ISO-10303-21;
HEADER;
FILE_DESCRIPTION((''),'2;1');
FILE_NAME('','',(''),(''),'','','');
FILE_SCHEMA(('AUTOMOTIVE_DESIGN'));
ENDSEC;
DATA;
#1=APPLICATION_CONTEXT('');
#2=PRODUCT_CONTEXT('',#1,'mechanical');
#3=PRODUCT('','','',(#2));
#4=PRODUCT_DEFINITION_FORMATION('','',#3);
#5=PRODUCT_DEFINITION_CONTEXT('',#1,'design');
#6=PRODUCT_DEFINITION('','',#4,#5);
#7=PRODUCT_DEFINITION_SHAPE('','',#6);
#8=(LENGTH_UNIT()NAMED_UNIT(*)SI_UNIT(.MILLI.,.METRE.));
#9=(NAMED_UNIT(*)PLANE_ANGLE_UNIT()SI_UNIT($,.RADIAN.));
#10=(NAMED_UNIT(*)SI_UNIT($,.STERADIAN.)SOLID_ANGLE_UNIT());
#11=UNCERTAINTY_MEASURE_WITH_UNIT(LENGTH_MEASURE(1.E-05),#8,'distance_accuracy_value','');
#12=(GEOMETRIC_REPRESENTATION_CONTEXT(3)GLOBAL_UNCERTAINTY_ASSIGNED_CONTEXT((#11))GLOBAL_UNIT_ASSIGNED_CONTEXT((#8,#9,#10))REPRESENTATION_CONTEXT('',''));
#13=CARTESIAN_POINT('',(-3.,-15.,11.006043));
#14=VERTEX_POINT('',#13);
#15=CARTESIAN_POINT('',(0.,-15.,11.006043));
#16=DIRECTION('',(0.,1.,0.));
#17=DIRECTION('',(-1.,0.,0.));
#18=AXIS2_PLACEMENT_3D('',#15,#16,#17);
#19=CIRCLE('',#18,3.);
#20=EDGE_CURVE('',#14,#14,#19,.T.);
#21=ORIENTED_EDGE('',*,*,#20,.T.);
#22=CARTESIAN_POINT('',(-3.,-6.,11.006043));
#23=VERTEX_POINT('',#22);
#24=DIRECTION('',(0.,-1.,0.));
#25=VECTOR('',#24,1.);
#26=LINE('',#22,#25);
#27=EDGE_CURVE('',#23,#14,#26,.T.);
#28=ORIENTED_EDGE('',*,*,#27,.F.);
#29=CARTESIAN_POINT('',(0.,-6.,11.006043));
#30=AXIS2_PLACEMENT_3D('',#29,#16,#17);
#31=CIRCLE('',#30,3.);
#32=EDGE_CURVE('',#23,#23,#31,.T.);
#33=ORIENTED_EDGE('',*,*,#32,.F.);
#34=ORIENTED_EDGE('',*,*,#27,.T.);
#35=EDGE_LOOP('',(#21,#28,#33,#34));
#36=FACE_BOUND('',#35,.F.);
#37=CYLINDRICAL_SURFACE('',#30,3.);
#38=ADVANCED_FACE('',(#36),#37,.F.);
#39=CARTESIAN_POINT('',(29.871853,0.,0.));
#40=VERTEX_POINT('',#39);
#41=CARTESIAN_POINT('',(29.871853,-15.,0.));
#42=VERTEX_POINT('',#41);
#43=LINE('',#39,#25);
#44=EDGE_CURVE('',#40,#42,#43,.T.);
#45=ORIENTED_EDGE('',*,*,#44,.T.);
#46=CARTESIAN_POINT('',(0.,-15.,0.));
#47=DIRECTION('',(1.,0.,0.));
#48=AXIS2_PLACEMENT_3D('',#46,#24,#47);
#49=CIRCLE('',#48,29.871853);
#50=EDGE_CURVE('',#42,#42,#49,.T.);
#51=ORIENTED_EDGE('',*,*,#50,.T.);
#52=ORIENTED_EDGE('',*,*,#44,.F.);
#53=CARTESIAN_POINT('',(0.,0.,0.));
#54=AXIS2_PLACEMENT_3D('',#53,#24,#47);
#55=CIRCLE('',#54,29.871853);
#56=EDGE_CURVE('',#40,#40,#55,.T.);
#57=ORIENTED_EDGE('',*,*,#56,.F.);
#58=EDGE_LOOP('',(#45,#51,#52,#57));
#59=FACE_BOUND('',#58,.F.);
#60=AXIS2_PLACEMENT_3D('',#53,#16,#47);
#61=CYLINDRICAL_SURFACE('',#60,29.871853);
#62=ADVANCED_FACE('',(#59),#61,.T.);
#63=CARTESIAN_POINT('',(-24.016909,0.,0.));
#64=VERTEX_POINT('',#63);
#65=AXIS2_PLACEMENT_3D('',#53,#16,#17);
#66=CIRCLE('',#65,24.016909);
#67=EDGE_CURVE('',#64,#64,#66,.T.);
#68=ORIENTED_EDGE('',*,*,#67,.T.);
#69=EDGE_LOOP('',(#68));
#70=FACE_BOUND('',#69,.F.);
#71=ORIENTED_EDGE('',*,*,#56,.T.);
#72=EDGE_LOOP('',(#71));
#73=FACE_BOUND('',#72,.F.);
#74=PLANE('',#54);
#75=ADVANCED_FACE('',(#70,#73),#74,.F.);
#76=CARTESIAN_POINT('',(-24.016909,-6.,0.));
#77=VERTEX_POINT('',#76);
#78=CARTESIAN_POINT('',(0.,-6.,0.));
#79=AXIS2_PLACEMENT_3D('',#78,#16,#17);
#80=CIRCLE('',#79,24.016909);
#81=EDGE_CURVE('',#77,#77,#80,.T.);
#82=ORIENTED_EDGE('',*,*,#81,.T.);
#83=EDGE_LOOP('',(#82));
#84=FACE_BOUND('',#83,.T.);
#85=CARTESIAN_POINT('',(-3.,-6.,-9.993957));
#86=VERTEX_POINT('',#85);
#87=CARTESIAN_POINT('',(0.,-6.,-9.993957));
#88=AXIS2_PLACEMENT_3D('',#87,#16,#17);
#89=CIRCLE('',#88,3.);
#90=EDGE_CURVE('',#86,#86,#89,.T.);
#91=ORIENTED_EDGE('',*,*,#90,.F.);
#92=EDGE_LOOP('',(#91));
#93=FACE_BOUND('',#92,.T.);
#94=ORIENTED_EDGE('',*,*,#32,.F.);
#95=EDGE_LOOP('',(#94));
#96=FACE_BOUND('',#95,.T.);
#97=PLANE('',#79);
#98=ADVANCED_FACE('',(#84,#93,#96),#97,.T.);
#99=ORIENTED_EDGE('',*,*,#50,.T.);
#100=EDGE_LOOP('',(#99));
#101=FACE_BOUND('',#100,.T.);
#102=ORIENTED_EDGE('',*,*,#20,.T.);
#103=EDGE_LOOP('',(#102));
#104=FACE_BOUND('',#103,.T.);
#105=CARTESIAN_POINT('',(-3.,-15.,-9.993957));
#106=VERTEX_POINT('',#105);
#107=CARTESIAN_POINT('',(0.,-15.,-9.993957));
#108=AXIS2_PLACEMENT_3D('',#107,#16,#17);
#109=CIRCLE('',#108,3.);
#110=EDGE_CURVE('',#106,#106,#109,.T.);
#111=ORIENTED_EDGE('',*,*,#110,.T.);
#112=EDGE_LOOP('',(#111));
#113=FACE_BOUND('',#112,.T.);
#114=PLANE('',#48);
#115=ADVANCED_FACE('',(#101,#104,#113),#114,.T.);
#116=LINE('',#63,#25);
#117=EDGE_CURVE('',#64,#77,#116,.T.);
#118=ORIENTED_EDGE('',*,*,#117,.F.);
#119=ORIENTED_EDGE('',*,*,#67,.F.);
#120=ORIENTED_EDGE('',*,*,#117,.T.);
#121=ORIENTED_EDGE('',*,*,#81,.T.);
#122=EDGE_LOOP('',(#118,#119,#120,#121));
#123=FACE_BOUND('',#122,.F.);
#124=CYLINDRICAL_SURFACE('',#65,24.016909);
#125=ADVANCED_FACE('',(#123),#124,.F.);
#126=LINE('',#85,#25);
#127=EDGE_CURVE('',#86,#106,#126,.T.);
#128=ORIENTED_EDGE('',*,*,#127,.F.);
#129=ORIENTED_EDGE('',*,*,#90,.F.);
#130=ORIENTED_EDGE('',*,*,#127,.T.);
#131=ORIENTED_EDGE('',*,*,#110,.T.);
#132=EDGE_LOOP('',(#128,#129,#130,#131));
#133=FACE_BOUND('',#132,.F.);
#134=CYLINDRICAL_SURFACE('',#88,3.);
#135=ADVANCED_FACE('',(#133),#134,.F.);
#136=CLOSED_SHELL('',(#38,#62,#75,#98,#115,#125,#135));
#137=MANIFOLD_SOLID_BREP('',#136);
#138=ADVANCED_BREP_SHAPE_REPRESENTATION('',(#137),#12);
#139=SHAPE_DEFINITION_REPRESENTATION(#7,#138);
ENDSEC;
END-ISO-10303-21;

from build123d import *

# Parameters (mm, degrees)
F0_R     = 29.871853
F1_DEPTH = 15
F2_R     = 24.016909
F3_DEPTH = 6
F4_R     = 3
F5_DEPTH = 25


with BuildPart() as f1:
    # F0 (on Front) → F1 (new body)
    with BuildSketch(Plane.XZ):
        Circle(F0_R)
    extrude(amount=F1_DEPTH)

    # F2 (on face) → F3 (cut)
    with BuildSketch(Plane(origin=(0, 0, 0), x_dir=(-1, 0, 0), z_dir=(0, 1, 0))):
        Circle(F2_R)
    extrude(amount=-F3_DEPTH, mode=Mode.SUBTRACT)

    # F4 (on face) → F5 (cut)
    with BuildSketch(Plane(origin=(0, -6, 0), x_dir=(-1, 0, 0), z_dir=(0, 1, 0))):
        with Locations((0, 11.006043)):
            Circle(F4_R)
        with Locations((0, -9.993957)):
            Circle(F4_R)
    extrude(amount=-F5_DEPTH, mode=Mode.SUBTRACT)


solid = f1.part
